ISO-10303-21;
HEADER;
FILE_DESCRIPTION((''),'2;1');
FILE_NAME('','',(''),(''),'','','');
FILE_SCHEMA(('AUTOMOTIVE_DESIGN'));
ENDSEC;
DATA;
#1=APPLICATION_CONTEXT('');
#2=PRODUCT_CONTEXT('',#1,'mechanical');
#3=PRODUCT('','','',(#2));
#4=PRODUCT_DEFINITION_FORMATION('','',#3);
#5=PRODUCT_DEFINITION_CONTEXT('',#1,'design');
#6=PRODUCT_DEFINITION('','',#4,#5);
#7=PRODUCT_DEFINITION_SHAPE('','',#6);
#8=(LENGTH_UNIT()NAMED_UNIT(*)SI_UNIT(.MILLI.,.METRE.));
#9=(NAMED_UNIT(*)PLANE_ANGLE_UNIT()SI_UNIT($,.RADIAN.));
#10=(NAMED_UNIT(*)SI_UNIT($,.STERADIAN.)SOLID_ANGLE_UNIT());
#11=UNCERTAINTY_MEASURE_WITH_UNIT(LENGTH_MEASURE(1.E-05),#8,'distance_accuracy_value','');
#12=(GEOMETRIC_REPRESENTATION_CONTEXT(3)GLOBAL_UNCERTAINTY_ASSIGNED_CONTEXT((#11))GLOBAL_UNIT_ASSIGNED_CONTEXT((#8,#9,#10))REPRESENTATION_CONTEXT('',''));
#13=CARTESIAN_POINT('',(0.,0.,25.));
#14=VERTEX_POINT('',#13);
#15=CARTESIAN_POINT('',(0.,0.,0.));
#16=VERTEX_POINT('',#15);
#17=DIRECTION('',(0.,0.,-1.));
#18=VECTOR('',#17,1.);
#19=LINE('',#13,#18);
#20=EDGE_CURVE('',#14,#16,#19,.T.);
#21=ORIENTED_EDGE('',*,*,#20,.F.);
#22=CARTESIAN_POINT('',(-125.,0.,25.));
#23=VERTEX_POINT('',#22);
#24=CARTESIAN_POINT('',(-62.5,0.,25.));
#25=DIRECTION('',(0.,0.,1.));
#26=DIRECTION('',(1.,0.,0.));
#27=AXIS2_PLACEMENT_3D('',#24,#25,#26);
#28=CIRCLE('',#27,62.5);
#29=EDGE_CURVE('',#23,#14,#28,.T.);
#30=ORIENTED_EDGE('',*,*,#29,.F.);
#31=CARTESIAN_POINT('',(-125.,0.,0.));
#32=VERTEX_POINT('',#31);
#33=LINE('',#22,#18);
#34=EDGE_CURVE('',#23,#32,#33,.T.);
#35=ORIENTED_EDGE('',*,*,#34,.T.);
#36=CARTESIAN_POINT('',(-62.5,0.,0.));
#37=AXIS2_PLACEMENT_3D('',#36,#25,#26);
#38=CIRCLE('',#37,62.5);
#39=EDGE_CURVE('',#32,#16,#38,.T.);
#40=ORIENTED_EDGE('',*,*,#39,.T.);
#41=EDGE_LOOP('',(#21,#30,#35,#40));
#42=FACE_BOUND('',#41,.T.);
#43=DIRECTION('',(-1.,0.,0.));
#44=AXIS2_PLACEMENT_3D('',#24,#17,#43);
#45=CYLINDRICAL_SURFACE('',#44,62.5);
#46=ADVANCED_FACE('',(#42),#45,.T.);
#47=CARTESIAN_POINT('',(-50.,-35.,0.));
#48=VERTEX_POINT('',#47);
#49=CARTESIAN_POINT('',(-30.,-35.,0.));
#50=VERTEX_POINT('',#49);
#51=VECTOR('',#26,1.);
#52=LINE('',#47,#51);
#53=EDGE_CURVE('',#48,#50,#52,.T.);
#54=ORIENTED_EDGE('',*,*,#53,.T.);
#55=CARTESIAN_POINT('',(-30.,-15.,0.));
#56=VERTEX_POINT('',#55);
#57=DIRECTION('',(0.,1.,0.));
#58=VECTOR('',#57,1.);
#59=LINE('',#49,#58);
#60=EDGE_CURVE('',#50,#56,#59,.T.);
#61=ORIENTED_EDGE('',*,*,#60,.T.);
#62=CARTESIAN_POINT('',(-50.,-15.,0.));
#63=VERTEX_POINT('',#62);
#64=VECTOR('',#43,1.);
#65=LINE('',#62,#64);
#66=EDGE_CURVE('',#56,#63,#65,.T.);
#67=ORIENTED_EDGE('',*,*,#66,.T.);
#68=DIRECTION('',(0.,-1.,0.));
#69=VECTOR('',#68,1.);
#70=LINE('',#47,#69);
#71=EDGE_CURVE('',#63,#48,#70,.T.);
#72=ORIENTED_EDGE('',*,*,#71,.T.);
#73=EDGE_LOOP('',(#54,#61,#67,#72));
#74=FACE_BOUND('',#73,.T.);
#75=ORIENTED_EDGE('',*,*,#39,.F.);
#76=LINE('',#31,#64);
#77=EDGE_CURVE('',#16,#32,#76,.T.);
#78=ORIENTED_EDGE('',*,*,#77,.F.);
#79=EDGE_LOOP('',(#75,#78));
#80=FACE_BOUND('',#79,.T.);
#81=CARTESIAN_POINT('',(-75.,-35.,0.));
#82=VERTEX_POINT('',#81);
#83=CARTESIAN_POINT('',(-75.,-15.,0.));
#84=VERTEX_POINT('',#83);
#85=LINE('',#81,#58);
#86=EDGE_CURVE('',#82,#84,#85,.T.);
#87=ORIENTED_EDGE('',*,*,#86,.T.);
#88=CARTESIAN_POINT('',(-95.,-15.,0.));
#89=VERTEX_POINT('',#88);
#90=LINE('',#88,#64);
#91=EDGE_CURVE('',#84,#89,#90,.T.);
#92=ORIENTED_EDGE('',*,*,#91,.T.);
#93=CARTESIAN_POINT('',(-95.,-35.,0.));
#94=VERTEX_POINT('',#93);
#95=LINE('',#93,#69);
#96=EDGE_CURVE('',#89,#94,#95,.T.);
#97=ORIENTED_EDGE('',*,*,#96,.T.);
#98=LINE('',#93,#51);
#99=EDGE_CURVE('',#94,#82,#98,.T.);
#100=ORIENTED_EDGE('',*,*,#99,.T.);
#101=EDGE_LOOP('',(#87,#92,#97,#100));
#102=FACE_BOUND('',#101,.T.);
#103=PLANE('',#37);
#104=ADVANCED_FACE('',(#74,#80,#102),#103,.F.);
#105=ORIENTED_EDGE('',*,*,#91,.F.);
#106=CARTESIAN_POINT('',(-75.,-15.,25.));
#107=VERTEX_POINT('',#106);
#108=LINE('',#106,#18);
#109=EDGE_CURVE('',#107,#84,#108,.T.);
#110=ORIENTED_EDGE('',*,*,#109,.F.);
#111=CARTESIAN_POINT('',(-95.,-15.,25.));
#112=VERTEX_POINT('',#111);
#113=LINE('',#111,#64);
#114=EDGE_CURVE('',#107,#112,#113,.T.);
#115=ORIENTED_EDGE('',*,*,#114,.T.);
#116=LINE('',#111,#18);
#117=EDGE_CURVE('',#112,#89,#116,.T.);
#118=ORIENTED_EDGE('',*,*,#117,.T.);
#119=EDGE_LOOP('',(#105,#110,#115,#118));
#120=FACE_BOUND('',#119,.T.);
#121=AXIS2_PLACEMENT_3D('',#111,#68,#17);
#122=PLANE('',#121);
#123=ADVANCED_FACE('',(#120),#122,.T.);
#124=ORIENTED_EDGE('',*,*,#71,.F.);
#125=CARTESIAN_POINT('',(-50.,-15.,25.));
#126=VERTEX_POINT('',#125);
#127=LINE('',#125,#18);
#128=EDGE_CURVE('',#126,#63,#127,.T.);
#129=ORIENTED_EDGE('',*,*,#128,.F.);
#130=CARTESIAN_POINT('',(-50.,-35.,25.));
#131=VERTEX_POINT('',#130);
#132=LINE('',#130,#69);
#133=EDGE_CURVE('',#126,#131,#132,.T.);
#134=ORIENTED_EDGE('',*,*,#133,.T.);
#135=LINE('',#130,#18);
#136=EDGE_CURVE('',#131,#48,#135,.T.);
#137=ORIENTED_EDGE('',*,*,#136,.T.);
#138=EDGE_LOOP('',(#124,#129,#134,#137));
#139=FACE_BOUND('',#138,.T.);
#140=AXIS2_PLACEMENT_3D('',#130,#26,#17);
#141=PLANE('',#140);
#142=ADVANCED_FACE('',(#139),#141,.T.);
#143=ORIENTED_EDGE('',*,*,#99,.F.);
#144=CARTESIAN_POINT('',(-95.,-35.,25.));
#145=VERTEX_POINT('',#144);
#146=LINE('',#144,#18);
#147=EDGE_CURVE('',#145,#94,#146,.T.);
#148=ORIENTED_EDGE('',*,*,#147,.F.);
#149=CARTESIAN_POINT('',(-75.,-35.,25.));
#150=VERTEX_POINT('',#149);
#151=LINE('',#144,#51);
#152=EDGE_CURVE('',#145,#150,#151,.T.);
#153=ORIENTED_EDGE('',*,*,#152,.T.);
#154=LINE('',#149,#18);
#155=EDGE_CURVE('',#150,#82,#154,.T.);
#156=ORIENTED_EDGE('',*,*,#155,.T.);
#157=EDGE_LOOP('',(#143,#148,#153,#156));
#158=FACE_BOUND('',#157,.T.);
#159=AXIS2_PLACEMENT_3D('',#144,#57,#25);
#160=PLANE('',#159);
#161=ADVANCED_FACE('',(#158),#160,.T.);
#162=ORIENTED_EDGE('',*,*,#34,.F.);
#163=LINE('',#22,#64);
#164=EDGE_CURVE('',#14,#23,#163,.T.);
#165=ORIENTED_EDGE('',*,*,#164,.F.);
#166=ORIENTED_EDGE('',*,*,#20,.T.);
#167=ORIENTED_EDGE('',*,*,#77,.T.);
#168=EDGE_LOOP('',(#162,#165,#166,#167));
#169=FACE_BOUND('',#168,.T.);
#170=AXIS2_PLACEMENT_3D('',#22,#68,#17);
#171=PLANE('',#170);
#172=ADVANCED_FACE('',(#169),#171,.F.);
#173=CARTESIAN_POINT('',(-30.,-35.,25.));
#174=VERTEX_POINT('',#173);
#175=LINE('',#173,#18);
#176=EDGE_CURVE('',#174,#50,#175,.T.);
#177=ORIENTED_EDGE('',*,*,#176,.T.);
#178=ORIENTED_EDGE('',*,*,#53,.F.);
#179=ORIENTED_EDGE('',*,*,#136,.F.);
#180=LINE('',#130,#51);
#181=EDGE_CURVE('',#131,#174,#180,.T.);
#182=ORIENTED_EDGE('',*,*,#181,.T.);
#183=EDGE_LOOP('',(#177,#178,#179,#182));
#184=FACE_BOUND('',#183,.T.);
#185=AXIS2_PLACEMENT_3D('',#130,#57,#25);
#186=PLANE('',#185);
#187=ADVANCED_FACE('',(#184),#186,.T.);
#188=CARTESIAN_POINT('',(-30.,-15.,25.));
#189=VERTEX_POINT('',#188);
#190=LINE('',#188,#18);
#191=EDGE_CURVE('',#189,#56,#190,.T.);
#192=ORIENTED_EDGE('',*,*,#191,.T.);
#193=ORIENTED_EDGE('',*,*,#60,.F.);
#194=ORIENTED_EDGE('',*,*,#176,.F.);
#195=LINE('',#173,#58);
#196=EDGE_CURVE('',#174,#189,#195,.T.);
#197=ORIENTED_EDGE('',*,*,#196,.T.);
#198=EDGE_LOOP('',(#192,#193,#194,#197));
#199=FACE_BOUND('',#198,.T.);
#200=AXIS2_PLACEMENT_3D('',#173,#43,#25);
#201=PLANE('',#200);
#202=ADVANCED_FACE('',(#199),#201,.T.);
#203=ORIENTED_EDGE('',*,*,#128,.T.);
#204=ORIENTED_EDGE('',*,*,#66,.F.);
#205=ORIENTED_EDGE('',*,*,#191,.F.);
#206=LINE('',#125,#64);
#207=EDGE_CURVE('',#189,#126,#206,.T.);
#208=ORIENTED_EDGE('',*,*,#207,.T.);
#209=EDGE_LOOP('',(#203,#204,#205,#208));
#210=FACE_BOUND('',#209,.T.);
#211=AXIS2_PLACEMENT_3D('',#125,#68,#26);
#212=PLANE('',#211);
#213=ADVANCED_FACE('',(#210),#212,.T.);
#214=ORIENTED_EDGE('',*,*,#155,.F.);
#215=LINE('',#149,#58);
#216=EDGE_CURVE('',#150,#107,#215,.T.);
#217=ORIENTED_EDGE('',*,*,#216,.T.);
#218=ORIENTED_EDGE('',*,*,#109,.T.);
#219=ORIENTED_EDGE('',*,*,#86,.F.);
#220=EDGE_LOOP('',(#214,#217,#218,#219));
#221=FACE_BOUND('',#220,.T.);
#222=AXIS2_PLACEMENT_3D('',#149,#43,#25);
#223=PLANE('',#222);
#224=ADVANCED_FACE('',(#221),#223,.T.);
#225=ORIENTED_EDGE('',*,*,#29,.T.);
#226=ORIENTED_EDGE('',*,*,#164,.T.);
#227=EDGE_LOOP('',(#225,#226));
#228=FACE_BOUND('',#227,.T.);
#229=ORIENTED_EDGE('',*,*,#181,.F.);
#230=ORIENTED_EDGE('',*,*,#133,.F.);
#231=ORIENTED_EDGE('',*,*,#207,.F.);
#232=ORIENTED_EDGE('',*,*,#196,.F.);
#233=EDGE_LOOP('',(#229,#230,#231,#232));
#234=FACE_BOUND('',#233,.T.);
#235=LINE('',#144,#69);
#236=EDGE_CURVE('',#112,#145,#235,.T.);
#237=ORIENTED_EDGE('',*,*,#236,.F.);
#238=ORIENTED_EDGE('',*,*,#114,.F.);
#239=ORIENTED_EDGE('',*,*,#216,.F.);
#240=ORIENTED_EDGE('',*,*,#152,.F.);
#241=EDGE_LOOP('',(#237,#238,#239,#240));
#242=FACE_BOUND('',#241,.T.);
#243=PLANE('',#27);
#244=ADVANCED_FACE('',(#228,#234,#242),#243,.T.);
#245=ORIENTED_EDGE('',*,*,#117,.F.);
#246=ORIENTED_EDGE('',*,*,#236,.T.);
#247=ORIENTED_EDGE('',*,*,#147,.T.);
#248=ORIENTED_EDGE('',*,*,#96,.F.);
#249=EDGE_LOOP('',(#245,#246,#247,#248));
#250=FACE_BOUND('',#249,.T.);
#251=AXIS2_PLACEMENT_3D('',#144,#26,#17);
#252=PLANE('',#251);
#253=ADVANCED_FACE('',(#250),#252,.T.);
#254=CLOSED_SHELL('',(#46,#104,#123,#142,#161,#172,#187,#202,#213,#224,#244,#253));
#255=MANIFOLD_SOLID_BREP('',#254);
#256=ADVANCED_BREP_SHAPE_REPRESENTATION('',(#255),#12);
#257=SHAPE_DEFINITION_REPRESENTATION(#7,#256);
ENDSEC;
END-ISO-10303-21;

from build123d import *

# Parameters (mm, degrees)
SKETCH1_W           = 20
SKETCH1_H           = 20
BOSS_EXTRUDE1_DEPTH = 25


with BuildPart() as part:
    # Sketch1 → Boss-Extrude1 (new body)
    with BuildSketch(Plane.XY):
        with BuildLine():
            Line((-125, 0), (0, 0))
            ThreePointArc((0, 0), (-62.5, -62.5), (-125, 0))
        make_face()
        with Locations((-40, -25)):
            Rectangle(SKETCH1_W, SKETCH1_H, mode=Mode.SUBTRACT)
        with Locations((-85, -25)):
            Rectangle(SKETCH1_W, SKETCH1_H, mode=Mode.SUBTRACT)
    extrude(amount=BOSS_EXTRUDE1_DEPTH)


solid = part.part
